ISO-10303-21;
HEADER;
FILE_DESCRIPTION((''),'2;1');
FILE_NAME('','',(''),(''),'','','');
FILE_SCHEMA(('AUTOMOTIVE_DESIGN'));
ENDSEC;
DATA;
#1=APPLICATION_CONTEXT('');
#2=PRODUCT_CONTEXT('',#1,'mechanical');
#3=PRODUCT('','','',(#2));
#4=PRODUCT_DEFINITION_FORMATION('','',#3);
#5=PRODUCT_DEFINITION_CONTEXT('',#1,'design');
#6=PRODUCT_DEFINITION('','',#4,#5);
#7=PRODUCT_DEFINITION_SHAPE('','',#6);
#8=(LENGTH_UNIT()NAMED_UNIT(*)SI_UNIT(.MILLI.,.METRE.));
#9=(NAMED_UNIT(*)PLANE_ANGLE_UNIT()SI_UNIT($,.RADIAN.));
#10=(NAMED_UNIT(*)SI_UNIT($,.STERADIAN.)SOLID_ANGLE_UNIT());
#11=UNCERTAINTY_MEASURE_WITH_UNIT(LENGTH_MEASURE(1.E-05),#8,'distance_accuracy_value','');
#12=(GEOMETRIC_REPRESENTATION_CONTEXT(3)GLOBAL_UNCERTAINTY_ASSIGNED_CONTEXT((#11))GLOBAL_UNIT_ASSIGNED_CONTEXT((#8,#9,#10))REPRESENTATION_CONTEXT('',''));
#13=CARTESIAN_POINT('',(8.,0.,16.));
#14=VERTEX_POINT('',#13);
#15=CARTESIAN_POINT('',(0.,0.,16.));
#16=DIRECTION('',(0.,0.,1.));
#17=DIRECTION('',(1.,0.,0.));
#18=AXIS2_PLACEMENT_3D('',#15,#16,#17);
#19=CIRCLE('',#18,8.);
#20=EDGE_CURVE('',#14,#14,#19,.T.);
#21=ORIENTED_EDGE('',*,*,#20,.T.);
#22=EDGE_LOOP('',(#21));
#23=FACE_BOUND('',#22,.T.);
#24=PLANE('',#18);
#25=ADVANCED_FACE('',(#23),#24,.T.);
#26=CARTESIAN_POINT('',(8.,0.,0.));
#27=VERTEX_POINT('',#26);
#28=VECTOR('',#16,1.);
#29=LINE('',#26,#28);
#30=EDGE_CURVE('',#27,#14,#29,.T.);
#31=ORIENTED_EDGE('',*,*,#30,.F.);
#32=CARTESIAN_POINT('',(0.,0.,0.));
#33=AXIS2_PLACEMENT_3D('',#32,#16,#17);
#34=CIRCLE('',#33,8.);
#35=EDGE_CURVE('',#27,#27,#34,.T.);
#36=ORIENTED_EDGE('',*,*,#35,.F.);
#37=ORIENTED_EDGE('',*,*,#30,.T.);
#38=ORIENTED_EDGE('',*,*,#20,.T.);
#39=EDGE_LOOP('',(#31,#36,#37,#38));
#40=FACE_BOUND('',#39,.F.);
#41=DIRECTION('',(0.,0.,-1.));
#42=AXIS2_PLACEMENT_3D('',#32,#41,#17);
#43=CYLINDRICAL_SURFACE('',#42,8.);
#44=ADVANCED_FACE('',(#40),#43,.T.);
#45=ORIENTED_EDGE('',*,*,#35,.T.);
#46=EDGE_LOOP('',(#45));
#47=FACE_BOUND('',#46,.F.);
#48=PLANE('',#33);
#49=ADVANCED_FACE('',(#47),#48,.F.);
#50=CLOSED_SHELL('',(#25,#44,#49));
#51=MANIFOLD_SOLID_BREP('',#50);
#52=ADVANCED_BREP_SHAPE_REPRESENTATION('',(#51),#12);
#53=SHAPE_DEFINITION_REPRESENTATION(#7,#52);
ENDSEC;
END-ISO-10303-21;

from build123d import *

# Parameters (mm, degrees)
CYLINDER_R     = 8
CYLINDER_DEPTH = 16


with BuildPart() as part:
    # Cylinder → Cylinder (new body)
    with BuildSketch(Plane.XY):
        Circle(CYLINDER_R)
    extrude(amount=CYLINDER_DEPTH)


solid = part.part
